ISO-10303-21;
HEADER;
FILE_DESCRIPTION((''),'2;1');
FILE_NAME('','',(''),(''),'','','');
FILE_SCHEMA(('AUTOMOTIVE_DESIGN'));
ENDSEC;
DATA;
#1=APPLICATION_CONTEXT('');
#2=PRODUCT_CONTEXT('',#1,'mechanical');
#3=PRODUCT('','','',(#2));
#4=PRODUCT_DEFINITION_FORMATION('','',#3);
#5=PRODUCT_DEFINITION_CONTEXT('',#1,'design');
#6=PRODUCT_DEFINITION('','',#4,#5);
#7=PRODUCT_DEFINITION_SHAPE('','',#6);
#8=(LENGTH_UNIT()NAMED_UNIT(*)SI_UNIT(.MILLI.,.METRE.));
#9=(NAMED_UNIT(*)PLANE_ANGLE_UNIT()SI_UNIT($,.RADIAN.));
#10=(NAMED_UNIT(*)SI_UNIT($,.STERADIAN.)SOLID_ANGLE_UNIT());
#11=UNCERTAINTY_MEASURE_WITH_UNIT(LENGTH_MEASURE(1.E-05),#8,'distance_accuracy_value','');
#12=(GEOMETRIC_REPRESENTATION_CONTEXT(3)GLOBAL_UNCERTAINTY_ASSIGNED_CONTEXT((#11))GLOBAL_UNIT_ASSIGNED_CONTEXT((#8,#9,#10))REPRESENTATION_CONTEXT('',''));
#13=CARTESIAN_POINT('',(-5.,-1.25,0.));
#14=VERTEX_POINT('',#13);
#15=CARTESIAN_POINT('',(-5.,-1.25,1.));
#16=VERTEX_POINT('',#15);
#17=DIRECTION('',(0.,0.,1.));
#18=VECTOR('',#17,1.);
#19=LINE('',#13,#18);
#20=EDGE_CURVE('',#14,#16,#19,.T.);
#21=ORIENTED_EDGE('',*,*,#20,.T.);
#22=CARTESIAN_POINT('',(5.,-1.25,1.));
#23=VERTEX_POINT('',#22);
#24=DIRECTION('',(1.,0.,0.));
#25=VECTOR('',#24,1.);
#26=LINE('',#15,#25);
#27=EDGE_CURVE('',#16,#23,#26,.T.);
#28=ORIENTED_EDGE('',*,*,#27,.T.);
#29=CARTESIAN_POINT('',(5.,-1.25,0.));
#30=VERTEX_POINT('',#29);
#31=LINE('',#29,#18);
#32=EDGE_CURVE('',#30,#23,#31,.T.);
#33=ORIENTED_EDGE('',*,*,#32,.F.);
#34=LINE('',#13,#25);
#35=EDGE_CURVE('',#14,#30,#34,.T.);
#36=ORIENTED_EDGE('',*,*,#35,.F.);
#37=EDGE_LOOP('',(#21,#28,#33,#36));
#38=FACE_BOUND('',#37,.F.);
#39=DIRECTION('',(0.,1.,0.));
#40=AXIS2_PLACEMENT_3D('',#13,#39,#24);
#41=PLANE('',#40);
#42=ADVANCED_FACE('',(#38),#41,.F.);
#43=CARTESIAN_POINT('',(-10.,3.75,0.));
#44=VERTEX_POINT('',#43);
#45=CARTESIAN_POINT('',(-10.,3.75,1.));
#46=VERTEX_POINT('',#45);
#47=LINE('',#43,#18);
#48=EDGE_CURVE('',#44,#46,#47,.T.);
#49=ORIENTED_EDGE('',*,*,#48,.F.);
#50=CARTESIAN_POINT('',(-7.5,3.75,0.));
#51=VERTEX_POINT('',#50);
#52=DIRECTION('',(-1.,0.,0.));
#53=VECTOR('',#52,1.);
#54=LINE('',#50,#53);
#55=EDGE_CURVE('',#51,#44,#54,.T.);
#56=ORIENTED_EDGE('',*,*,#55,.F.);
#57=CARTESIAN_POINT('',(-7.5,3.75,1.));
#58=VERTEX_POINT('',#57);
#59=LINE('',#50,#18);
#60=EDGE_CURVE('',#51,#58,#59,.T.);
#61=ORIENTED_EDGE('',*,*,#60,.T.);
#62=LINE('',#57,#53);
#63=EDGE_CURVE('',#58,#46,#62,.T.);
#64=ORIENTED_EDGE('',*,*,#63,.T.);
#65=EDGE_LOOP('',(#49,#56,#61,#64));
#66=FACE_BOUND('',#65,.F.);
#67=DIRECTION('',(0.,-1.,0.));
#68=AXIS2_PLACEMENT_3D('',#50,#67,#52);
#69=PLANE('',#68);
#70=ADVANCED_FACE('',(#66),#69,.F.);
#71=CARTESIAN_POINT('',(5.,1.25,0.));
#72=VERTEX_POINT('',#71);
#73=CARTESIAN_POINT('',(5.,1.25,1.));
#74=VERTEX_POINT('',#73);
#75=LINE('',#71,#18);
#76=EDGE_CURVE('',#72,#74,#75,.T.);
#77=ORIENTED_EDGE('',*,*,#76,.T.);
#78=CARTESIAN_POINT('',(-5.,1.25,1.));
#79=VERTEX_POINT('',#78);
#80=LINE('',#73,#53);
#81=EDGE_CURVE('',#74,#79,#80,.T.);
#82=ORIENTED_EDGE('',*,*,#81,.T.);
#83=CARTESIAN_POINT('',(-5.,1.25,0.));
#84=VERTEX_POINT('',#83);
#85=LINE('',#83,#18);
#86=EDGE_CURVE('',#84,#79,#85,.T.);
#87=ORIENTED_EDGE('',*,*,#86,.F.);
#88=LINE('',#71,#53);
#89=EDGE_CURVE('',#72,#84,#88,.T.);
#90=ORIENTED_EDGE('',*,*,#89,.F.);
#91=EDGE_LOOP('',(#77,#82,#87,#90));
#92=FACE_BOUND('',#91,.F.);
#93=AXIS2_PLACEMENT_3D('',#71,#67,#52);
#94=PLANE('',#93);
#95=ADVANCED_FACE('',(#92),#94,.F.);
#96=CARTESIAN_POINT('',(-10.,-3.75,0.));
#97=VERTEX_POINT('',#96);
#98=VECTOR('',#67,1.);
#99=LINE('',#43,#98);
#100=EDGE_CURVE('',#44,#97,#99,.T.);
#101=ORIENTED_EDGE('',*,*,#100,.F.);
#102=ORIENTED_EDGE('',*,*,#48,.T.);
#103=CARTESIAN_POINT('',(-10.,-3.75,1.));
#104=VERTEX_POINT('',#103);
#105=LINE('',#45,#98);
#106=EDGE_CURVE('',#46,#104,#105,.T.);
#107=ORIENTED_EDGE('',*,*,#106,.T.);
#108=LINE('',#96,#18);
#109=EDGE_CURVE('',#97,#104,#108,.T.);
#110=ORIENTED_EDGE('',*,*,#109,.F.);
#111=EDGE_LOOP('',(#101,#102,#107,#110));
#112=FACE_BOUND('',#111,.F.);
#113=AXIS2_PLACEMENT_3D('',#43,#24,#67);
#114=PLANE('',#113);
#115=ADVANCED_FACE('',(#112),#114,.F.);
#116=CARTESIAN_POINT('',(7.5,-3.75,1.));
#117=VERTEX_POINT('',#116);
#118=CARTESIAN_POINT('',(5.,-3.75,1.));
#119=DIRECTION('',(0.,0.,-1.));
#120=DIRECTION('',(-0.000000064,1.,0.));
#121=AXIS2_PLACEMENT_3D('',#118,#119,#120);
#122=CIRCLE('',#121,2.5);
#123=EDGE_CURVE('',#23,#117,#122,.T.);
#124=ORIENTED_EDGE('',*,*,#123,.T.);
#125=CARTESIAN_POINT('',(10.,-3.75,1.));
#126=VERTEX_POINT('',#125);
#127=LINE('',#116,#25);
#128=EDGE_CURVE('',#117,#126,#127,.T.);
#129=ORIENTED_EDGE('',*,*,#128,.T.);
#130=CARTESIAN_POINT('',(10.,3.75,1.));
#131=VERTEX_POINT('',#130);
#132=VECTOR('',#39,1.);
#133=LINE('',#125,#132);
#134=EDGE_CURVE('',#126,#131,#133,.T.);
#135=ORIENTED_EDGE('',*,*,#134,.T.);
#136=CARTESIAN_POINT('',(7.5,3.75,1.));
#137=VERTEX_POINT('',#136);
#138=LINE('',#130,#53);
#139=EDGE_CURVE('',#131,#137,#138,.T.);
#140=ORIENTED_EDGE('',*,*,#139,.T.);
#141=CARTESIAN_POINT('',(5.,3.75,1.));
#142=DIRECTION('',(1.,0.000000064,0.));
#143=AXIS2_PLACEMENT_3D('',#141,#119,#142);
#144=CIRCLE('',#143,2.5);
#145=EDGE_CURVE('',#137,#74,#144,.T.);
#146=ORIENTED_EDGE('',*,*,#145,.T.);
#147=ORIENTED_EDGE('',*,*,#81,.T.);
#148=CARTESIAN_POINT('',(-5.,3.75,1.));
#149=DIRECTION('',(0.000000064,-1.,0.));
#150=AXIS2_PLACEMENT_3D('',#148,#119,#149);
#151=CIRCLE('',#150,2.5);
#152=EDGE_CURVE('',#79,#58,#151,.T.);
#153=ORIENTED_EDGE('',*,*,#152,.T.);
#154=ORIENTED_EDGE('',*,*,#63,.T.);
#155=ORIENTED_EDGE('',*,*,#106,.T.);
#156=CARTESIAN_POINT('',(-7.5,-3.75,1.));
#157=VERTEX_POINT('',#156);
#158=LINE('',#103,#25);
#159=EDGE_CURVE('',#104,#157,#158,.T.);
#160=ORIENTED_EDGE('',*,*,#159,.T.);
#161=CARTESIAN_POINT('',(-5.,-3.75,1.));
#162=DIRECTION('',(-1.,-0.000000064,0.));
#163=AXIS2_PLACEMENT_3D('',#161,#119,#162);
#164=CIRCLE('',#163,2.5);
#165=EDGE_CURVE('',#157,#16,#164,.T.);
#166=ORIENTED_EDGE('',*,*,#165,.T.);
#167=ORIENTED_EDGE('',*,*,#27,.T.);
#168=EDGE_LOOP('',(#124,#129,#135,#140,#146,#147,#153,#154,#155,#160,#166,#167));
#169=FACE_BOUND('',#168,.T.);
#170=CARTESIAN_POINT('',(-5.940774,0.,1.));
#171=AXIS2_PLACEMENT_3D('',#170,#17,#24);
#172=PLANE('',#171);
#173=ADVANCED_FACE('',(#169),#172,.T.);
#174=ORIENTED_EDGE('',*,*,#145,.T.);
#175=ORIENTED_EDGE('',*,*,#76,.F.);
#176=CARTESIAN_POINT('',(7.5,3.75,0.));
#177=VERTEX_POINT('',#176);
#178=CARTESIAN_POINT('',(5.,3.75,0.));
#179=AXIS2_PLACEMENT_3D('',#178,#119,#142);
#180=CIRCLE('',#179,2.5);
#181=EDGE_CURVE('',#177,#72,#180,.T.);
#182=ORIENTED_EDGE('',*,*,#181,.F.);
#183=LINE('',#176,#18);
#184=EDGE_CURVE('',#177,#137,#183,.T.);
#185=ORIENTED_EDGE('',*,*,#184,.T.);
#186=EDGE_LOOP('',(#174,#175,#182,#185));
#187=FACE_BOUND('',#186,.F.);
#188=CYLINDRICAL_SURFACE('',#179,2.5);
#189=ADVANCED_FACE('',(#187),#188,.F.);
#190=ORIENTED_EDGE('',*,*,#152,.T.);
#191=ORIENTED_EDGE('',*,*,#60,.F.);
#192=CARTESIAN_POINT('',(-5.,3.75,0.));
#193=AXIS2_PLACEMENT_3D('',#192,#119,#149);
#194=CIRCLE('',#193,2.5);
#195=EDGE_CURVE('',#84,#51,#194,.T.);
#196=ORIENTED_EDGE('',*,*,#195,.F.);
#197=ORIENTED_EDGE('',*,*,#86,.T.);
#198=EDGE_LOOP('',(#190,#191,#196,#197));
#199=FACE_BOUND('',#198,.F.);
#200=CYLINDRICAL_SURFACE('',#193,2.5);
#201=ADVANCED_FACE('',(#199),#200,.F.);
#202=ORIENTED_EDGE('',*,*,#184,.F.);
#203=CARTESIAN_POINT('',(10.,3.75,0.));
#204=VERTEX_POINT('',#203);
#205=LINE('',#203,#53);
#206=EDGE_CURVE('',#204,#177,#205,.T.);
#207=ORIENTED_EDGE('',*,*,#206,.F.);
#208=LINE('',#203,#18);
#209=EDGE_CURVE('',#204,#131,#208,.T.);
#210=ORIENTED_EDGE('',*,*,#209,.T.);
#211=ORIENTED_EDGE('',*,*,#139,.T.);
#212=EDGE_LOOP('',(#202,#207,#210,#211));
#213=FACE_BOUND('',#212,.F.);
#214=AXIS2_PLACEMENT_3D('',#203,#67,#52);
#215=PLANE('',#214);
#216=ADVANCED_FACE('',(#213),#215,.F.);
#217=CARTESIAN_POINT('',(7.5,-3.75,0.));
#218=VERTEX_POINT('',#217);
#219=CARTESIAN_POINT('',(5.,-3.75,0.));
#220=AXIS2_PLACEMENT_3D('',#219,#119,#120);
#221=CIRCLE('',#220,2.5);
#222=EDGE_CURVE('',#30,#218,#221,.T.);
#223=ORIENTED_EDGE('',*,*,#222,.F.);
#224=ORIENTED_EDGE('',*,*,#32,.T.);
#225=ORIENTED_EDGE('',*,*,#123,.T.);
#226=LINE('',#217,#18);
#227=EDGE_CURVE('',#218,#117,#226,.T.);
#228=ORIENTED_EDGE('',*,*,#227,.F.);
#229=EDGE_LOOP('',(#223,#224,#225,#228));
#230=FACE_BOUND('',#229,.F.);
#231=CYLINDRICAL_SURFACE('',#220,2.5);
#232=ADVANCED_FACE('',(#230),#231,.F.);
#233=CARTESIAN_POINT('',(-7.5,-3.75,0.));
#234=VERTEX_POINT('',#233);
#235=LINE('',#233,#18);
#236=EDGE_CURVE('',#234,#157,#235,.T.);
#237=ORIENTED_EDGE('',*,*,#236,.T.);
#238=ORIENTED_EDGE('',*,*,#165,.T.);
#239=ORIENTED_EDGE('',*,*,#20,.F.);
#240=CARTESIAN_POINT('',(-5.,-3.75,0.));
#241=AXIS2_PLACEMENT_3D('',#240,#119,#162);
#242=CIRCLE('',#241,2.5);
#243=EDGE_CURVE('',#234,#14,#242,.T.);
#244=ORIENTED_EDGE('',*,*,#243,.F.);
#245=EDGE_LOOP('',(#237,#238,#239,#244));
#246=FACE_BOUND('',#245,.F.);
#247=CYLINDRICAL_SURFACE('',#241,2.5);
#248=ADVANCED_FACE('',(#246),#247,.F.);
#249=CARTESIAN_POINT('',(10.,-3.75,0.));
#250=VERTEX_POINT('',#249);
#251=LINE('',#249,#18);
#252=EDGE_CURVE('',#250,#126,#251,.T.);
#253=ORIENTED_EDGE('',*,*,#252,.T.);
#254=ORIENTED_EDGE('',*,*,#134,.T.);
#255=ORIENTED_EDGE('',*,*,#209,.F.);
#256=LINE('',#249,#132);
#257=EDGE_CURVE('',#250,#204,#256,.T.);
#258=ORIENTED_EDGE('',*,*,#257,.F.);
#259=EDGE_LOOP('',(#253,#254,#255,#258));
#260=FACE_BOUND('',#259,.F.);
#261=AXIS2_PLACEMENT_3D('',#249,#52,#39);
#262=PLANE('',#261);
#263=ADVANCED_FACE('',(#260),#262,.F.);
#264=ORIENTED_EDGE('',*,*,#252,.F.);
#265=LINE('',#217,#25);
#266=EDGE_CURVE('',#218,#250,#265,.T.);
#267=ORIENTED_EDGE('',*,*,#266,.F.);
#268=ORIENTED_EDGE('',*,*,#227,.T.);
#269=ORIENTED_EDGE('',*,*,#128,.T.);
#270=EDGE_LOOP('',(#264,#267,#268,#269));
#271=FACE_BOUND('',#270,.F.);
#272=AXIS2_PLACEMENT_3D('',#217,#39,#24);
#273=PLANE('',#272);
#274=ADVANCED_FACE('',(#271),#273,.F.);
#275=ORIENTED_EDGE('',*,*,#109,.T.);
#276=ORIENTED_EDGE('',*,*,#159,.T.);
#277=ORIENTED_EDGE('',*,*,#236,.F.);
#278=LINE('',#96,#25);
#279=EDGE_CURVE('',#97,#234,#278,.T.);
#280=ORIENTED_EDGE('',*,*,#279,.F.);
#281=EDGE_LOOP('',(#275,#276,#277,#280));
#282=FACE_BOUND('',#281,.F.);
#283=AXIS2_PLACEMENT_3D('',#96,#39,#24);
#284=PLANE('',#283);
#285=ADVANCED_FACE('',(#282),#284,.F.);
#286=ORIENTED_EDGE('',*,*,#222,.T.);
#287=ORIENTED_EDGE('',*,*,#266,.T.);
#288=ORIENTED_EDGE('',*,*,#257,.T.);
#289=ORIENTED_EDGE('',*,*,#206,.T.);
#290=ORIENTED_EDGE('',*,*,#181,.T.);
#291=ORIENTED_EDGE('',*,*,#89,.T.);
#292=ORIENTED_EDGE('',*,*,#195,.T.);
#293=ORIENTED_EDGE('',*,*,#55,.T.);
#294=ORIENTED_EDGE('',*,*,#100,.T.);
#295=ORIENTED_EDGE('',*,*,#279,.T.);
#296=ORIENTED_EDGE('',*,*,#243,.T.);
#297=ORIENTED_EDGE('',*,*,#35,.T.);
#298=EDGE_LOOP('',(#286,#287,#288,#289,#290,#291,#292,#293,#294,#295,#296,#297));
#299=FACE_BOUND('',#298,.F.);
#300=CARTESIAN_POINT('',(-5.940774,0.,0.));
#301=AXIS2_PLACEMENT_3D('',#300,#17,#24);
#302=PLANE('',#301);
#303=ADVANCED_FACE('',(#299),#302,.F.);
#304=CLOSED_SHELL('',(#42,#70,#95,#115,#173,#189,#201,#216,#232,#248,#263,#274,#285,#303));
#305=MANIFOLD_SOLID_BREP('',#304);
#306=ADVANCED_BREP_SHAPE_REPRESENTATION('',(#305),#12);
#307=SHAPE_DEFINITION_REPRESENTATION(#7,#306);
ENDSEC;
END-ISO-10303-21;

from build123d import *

# Parameters (mm, degrees)
F1_DEPTH = 1


with BuildPart() as f1:
    # F0 (on Top) → F1 (new body)
    with BuildSketch(Plane.XY):
        with BuildLine():
            Line((0, -1.25), (0, 1.25))
            Line((0, 1.25), (-5, 1.25))
            ThreePointArc((-5, 1.25), (-6.767767, 1.982233), (-7.5, 3.75))
            Line((-7.5, 3.75), (-10, 3.75))
            Line((-10, 3.75), (-10, -3.75))
            Line((-10, -3.75), (-7.5, -3.75))
            ThreePointArc((-7.5, -3.75), (-6.767767, -1.982233), (-5, -1.25))
            Line((-5, -1.25), (0, -1.25))
        make_face()
        with BuildLine():
            ThreePointArc((7.5, 3.75), (6.767767, 1.982233), (5, 1.25))
            Line((5, 1.25), (0, 1.25))
            Line((0, 1.25), (0, -1.25))
            Line((0, -1.25), (5, -1.25))
            ThreePointArc((5, -1.25), (6.767767, -1.982233), (7.5, -3.75))
            Line((7.5, -3.75), (10, -3.75))
            Line((10, -3.75), (10, 3.75))
            Line((10, 3.75), (7.5, 3.75))
        make_face()
    extrude(amount=F1_DEPTH)


solid = f1.part
